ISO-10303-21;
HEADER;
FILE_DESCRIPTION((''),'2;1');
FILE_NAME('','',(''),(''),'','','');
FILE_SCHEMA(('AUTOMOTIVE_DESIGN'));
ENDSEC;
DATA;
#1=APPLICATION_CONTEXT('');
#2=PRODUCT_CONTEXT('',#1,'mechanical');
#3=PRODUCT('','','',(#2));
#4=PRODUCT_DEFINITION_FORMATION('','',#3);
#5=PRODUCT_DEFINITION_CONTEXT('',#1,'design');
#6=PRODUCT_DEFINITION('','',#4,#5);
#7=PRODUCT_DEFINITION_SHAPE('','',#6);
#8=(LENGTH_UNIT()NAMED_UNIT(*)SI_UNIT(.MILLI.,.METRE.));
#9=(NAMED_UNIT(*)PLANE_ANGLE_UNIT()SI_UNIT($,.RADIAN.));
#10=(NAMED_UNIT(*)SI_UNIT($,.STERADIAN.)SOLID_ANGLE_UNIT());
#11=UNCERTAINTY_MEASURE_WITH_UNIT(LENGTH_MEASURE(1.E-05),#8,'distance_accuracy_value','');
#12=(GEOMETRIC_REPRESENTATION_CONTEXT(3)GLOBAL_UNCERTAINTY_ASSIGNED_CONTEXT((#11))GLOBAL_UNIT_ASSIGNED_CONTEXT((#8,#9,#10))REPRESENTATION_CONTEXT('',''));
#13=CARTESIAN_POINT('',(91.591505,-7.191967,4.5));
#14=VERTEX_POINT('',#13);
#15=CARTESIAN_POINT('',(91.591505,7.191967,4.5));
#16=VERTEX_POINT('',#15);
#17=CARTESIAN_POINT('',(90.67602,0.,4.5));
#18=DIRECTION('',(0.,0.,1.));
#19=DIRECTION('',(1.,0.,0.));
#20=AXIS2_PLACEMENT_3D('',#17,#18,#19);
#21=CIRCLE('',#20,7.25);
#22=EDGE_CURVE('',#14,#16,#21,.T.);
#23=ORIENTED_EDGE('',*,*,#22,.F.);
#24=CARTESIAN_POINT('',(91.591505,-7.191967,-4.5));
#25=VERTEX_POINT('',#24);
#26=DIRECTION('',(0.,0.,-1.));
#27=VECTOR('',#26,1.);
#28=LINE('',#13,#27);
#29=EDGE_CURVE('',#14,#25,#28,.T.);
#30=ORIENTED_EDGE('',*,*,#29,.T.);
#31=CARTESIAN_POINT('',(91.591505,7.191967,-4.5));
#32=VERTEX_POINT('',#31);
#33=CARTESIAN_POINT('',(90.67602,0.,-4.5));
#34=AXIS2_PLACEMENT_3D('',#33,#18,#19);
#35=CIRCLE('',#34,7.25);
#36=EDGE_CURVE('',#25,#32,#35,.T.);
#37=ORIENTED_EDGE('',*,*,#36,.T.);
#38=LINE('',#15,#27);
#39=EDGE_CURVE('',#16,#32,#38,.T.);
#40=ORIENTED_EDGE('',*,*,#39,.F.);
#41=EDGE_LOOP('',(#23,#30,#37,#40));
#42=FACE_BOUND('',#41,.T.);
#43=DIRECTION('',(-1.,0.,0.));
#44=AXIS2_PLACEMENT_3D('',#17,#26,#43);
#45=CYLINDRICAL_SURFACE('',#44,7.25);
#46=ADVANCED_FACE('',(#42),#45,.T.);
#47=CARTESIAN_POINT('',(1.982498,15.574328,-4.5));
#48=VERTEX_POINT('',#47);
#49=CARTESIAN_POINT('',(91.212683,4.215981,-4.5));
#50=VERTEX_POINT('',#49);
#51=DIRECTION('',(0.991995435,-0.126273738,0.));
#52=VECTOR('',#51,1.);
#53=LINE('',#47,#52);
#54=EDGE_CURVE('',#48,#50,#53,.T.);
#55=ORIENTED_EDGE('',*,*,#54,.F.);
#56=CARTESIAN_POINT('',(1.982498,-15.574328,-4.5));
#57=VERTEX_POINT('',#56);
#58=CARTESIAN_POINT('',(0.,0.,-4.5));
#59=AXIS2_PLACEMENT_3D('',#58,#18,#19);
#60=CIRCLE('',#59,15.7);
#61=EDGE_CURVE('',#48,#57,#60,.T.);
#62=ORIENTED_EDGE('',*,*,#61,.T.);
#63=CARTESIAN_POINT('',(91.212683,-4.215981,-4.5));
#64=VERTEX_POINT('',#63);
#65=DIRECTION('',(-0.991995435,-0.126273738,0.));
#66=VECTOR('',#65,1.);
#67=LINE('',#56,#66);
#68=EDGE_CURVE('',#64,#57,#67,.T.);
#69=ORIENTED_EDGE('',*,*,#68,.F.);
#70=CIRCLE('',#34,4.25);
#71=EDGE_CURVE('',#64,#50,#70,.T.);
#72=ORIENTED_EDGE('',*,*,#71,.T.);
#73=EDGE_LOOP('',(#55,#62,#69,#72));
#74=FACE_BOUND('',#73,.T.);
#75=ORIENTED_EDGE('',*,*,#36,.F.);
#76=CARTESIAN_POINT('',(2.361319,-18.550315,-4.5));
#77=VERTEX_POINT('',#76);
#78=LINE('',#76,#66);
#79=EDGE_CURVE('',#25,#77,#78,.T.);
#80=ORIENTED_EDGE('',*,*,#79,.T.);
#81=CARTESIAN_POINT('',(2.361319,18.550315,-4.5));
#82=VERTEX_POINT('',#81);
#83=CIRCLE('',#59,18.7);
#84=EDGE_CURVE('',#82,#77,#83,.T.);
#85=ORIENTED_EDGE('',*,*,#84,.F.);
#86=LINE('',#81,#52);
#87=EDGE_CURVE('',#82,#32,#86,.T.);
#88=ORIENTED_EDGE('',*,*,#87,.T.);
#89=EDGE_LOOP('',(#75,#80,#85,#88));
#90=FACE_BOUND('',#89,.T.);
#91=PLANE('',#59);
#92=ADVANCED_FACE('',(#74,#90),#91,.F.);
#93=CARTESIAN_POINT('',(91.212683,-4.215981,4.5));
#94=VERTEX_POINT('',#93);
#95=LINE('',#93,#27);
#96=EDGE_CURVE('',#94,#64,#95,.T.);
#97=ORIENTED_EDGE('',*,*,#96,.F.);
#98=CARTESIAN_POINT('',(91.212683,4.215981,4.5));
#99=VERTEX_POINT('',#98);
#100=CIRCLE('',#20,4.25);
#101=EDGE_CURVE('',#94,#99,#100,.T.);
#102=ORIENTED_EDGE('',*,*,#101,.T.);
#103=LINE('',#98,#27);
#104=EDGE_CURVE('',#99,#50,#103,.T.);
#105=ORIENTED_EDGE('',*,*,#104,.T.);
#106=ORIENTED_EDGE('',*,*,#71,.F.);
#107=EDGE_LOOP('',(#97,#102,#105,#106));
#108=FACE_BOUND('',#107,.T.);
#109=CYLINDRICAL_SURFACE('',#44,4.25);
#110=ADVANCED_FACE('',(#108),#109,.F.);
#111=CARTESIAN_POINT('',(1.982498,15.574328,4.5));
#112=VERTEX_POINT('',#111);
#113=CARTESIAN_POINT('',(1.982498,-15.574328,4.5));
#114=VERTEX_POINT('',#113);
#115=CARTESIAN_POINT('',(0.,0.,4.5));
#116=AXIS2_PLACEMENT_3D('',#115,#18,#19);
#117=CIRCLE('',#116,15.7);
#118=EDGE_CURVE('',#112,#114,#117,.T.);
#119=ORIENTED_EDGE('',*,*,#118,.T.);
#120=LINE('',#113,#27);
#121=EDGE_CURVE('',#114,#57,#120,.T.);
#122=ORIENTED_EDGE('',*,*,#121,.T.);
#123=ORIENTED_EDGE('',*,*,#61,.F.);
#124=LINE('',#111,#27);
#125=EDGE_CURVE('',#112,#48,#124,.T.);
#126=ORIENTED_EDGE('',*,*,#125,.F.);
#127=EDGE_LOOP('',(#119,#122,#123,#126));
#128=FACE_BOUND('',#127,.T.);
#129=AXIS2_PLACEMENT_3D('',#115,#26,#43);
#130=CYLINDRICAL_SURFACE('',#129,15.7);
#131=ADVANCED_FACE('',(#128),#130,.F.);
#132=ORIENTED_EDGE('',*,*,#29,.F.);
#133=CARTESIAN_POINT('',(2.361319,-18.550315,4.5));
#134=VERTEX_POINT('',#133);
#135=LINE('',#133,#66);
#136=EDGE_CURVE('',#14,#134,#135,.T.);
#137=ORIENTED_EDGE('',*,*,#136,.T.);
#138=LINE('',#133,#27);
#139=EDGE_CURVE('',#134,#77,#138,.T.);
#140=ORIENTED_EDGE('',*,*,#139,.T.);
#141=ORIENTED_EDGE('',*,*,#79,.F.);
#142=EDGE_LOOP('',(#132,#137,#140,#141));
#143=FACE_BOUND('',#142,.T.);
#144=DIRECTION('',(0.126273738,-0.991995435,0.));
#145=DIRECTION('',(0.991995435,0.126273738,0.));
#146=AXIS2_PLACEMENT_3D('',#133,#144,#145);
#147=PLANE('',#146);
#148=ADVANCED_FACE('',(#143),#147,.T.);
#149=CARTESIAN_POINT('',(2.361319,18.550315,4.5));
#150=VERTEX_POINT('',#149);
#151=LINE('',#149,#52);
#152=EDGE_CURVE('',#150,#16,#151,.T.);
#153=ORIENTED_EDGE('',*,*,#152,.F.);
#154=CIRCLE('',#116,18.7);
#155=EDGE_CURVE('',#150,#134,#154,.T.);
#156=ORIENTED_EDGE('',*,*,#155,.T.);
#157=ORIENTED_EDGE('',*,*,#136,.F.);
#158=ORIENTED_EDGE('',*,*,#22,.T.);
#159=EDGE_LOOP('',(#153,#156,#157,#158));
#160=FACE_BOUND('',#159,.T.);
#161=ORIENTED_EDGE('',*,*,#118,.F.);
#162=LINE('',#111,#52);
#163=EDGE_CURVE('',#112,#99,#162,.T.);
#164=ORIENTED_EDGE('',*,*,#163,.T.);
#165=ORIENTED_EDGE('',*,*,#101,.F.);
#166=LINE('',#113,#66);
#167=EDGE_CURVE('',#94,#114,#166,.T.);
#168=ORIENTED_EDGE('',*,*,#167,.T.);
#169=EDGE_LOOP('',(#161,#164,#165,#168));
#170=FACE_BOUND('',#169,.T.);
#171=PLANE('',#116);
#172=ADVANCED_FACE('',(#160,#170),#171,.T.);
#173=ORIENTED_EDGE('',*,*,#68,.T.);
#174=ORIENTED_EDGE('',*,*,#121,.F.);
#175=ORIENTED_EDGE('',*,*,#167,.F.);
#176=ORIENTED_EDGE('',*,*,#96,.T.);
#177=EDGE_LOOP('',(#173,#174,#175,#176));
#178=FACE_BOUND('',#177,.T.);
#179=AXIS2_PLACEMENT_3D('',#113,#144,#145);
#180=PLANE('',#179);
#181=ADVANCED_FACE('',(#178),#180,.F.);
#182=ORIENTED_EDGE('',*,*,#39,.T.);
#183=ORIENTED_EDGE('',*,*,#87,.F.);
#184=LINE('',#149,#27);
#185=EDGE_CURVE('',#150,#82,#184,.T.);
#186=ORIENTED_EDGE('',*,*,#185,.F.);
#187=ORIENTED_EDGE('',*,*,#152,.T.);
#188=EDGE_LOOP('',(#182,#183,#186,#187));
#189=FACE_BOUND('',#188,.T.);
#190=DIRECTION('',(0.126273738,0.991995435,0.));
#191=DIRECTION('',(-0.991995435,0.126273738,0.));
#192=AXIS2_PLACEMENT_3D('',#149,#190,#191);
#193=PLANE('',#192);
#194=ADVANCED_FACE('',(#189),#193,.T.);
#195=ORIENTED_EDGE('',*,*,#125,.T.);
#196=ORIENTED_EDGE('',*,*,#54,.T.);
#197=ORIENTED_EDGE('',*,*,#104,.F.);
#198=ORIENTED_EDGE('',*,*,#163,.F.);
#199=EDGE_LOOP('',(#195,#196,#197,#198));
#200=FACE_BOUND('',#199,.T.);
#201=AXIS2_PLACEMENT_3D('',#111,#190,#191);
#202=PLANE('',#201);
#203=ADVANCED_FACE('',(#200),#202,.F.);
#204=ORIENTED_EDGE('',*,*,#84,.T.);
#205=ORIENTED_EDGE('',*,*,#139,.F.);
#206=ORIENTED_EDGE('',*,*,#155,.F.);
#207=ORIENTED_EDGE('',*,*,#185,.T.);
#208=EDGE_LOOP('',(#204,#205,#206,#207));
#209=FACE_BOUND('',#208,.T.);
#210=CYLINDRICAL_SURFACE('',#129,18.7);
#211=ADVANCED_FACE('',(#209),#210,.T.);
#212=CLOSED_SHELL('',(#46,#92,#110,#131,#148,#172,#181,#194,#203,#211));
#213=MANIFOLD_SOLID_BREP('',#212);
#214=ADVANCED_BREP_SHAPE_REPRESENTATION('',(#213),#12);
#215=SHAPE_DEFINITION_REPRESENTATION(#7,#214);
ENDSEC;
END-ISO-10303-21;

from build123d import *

# Parameters (mm, degrees)
RESSALTO_EXTRUS_O1_DEPTH = 4.5


with BuildPart() as part:
    # Esboço1 → Ressalto-extrusão1 (new, symmetric)
    with BuildSketch(Plane.XY):
        with BuildLine():
            ThreePointArc((91.591504601, -7.191966904), (97.92602, 0), (91.591504601, 7.191966904))
            Line((91.591504601, 7.191966904), (2.361318902, 18.550314635))
            ThreePointArc((2.361318902, 18.550314635), (-18.7, 0), (2.361318902, -18.550314635))
            Line((2.361318902, -18.550314635), (91.591504601, -7.191966904))
        make_face()
        with BuildLine():
            ThreePointArc((1.982497688, -15.57432833), (-15.7, 0), (1.982497688, 15.57432833))
            Line((1.982497688, 15.57432833), (91.212683387, 4.215980599))
            ThreePointArc((91.212683387, 4.215980599), (94.92602, 0), (91.212683387, -4.215980599))
            Line((91.212683387, -4.215980599), (1.982497688, -15.57432833))
        make_face(mode=Mode.SUBTRACT)
    extrude(amount=RESSALTO_EXTRUS_O1_DEPTH, both=True)


solid = part.part
